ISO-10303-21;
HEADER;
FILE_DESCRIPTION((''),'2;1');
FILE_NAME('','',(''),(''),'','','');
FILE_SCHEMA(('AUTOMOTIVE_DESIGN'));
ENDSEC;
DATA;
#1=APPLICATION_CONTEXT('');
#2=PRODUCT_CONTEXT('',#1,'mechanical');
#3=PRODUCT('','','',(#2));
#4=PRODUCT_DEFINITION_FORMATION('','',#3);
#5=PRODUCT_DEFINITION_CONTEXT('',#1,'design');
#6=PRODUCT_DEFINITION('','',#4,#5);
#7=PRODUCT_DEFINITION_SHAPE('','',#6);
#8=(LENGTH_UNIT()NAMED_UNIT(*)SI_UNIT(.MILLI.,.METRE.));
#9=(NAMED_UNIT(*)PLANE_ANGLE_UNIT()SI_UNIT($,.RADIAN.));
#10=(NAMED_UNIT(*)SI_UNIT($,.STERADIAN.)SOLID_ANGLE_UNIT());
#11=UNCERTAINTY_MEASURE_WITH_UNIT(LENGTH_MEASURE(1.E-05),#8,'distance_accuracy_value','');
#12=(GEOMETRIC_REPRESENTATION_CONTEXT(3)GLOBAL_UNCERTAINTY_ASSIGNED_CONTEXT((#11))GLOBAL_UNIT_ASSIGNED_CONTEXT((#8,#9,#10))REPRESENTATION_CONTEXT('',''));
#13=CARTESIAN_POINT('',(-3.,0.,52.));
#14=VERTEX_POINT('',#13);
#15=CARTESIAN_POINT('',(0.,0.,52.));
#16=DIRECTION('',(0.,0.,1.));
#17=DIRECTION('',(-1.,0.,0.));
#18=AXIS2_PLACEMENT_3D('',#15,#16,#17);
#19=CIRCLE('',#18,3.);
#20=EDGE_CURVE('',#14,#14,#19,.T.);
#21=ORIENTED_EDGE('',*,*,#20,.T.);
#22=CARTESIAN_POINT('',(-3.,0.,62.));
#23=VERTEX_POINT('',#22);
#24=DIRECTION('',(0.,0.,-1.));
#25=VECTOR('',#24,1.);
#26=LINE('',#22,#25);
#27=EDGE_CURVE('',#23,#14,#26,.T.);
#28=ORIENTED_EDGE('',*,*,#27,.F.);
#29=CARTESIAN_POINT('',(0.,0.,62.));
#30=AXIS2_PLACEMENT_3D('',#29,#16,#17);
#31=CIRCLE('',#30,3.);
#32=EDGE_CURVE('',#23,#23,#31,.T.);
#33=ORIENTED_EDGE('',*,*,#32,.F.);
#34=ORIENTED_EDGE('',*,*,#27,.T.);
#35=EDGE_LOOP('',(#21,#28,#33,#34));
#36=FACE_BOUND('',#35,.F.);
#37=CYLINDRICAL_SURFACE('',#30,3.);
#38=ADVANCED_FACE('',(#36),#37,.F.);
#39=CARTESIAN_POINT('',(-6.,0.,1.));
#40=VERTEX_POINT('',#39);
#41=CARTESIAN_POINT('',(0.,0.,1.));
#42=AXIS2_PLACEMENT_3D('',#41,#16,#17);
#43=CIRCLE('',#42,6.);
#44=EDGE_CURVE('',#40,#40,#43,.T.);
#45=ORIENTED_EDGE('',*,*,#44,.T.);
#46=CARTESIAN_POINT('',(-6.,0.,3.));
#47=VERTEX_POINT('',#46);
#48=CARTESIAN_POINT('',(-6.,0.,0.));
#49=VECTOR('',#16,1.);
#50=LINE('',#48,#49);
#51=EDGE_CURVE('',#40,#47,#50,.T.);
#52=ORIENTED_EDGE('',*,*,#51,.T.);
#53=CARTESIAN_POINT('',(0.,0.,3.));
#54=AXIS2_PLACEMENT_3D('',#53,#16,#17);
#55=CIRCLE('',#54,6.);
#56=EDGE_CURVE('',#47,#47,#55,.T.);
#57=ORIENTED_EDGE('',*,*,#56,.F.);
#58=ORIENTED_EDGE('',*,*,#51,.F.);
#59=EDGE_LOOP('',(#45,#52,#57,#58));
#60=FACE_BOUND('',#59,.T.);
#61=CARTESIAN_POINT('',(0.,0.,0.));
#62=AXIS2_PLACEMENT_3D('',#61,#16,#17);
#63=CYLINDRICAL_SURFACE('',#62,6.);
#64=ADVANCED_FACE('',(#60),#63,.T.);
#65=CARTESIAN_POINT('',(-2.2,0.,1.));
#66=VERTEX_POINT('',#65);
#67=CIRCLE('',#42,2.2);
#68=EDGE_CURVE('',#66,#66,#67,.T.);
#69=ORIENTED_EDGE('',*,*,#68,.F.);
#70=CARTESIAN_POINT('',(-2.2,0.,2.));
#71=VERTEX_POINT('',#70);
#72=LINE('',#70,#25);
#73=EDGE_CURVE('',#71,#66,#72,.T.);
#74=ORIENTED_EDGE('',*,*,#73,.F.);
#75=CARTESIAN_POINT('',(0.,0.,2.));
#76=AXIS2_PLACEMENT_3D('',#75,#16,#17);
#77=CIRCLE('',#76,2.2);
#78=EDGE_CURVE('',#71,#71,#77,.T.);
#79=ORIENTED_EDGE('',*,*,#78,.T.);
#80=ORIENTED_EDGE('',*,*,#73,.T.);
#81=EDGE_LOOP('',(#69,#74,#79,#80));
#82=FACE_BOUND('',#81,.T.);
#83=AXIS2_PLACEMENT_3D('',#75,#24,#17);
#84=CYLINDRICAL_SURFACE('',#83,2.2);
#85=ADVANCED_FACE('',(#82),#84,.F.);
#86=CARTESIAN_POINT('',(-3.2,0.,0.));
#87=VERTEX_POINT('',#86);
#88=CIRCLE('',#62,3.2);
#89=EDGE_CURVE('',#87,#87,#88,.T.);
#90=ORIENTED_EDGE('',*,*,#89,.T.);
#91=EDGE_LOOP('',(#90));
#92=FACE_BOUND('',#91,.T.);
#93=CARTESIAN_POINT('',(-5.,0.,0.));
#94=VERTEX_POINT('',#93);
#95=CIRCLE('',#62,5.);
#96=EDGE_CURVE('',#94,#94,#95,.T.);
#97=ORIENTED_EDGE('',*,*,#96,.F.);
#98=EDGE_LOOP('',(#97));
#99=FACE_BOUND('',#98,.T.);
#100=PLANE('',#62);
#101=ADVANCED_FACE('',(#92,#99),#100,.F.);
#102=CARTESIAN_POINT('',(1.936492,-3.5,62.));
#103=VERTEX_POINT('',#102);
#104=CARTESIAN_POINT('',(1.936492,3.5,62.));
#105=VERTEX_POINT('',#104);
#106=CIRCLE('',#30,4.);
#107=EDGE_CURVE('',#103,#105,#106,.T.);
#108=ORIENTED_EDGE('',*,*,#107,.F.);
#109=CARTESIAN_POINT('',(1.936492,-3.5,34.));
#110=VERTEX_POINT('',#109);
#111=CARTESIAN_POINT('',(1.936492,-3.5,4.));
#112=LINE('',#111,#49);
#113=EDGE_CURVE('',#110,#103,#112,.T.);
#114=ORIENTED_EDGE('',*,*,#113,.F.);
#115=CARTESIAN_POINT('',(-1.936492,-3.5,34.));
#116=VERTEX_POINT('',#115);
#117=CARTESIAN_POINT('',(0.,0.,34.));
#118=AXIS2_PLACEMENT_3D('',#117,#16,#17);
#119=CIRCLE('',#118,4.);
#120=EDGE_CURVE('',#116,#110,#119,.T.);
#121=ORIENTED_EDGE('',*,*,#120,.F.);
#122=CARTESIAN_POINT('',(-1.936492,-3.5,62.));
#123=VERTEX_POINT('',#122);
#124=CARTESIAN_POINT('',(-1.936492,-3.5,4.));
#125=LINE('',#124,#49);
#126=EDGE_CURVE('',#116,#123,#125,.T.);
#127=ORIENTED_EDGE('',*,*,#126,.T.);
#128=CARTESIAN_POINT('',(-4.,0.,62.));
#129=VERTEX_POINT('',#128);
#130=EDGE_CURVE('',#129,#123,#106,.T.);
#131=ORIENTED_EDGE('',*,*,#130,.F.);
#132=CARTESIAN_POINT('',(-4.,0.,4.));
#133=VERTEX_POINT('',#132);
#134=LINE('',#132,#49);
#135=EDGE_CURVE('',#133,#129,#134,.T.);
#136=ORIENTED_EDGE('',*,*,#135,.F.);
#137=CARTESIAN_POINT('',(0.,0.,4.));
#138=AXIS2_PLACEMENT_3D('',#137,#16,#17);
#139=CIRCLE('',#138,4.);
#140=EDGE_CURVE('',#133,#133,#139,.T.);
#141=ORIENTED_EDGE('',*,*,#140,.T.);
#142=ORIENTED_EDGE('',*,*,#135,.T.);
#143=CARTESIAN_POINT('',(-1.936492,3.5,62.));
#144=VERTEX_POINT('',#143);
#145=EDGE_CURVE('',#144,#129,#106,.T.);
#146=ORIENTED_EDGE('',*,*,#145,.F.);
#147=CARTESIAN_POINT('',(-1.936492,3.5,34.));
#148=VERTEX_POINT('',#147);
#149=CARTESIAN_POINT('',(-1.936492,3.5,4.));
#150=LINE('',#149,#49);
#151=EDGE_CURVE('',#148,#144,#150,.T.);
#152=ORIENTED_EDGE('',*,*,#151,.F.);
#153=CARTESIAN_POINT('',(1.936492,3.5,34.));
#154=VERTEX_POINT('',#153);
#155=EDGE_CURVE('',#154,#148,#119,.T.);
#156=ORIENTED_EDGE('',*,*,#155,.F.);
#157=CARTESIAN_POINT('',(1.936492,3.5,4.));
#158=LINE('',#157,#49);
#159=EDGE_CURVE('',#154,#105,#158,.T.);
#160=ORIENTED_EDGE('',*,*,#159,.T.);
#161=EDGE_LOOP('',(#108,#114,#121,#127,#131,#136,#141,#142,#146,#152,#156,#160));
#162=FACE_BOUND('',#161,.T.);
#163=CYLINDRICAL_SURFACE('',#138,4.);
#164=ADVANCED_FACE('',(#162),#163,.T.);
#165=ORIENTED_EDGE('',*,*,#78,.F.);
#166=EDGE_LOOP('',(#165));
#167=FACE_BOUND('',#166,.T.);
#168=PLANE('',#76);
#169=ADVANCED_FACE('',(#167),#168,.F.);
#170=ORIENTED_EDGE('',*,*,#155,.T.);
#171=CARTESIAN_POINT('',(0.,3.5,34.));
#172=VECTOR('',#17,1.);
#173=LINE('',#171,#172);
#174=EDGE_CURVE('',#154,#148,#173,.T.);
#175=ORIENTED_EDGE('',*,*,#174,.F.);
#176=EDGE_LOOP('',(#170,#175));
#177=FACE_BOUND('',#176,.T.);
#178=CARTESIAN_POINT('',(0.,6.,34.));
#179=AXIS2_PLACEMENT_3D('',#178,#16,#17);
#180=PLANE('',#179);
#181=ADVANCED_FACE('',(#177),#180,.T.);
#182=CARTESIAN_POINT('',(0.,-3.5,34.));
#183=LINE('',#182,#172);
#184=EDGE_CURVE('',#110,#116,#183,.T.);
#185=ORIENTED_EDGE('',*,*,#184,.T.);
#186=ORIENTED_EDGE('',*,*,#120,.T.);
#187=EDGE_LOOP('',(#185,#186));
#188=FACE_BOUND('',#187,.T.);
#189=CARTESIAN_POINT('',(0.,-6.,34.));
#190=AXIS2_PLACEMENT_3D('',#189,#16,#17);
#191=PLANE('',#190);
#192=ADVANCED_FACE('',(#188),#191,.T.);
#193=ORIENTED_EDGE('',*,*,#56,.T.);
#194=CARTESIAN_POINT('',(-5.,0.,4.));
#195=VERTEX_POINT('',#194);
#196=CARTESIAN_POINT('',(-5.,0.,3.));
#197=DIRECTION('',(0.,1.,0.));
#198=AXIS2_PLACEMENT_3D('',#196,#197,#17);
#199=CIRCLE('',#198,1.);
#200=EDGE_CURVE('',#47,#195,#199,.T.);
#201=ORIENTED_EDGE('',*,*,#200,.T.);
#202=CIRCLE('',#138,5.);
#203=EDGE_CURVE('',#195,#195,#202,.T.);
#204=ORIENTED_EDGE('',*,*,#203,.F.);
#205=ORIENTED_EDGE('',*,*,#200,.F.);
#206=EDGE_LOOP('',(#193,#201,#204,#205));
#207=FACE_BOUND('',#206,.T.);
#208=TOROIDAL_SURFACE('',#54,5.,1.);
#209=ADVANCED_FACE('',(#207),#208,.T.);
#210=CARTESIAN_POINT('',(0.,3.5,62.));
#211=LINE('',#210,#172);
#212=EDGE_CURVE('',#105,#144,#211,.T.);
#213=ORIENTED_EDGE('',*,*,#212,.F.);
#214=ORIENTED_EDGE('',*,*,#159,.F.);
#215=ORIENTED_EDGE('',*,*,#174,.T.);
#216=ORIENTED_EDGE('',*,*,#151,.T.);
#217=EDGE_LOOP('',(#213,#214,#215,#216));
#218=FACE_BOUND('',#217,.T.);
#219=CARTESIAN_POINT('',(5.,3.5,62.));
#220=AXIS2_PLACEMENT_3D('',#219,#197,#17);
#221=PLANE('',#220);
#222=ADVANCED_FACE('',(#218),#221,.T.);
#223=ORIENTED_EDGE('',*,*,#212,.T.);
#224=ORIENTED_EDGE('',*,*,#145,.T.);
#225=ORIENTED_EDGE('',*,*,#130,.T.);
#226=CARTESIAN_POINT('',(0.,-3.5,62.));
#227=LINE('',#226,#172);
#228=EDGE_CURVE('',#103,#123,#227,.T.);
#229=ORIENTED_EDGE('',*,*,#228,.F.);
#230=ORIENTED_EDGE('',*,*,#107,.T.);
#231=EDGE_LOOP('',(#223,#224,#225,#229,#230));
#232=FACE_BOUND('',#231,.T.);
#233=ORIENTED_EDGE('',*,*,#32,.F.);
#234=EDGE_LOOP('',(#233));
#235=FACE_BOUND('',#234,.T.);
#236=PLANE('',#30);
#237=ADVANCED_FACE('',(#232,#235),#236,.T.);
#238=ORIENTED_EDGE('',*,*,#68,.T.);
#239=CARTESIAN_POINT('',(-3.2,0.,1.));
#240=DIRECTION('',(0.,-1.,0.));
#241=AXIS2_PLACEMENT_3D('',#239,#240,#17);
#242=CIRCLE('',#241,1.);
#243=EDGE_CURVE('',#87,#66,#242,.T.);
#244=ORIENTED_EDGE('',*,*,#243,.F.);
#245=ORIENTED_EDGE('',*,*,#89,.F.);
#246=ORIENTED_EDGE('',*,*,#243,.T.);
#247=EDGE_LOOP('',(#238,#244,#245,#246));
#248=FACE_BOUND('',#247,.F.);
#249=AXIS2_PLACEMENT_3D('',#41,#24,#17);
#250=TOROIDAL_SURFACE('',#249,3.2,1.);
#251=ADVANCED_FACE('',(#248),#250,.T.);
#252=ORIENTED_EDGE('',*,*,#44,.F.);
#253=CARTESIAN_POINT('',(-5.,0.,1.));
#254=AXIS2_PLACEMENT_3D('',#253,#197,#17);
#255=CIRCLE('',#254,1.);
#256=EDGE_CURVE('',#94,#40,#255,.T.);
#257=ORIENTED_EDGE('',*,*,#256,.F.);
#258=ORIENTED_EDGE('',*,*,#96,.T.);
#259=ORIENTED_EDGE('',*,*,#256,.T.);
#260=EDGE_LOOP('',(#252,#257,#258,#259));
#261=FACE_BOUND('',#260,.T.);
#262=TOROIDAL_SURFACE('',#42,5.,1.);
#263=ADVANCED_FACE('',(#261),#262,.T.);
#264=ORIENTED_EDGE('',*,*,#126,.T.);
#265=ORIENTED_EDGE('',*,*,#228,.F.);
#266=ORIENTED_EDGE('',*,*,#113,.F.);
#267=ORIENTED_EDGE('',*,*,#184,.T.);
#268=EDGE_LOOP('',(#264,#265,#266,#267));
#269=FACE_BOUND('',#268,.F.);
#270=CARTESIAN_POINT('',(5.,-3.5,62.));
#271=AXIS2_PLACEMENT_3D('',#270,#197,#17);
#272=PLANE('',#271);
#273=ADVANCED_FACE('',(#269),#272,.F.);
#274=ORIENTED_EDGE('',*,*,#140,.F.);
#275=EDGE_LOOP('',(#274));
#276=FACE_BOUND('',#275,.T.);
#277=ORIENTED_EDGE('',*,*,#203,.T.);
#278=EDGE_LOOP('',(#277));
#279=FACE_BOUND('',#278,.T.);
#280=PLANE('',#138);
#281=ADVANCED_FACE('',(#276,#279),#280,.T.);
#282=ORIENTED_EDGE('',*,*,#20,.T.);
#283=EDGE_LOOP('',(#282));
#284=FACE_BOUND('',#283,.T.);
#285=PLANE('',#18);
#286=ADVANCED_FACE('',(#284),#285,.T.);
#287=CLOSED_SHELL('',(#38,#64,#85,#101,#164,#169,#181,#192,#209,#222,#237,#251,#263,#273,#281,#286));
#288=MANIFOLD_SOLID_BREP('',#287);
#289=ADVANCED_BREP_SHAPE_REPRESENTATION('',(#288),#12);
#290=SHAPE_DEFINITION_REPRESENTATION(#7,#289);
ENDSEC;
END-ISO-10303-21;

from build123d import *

# Parameters (mm, degrees)
SKETCH001_R     = 3
POCKET_DEPTH    = 10
FILLET_R        = 1
FILLET001_R     = 1
SKETCH002_W     = 10
SKETCH002_H     = 5
POCKET001_DEPTH = 28


with BuildPart() as part:
    # Sketch → Revolution (revolve)
    with BuildSketch(Plane.XZ):
        Polygon((-2.2, 0), (-6, 0), (-6, 4), (-4, 4), (-4, 62), (0, 62), (0, 2), (-2.2, 2), align=None)
    revolve(axis=Axis((0, 0, 0), (0, 0, 1)))

    # Sketch001 (on Face5 of Revolution) → Pocket (cut)
    with BuildSketch(Plane(origin=(0, 0, 62), x_dir=(-1, 0, 0), z_dir=(0, 0, 1))):
        Circle(SKETCH001_R)
    extrude(amount=-POCKET_DEPTH, mode=Mode.SUBTRACT)

    # Fillet
    fillet_edges = [part.edges().sort_by_distance(p)[0] for p in [
        (2.2, 0, 0),
        (6, 0, 0),
    ]]
    fillet(fillet_edges, radius=FILLET_R)

    # Fillet001
    fillet001_edges = [part.edges().sort_by_distance(p)[0] for p in [
        (6, 0, 4),
    ]]
    fillet(fillet001_edges, radius=FILLET001_R)

    # Sketch002 (on Face8 of Fillet001) → Pocket001 (cut)
    with BuildSketch(Plane(origin=(0, 0, 62), x_dir=(-1, 0, 0), z_dir=(0, 0, 1))):
        with Locations((0, -6)):
            Rectangle(SKETCH002_W, SKETCH002_H)
        with Locations((0, 6)):
            Rectangle(SKETCH002_W, SKETCH002_H)
    extrude(amount=-POCKET001_DEPTH, mode=Mode.SUBTRACT)


solid = part.part
